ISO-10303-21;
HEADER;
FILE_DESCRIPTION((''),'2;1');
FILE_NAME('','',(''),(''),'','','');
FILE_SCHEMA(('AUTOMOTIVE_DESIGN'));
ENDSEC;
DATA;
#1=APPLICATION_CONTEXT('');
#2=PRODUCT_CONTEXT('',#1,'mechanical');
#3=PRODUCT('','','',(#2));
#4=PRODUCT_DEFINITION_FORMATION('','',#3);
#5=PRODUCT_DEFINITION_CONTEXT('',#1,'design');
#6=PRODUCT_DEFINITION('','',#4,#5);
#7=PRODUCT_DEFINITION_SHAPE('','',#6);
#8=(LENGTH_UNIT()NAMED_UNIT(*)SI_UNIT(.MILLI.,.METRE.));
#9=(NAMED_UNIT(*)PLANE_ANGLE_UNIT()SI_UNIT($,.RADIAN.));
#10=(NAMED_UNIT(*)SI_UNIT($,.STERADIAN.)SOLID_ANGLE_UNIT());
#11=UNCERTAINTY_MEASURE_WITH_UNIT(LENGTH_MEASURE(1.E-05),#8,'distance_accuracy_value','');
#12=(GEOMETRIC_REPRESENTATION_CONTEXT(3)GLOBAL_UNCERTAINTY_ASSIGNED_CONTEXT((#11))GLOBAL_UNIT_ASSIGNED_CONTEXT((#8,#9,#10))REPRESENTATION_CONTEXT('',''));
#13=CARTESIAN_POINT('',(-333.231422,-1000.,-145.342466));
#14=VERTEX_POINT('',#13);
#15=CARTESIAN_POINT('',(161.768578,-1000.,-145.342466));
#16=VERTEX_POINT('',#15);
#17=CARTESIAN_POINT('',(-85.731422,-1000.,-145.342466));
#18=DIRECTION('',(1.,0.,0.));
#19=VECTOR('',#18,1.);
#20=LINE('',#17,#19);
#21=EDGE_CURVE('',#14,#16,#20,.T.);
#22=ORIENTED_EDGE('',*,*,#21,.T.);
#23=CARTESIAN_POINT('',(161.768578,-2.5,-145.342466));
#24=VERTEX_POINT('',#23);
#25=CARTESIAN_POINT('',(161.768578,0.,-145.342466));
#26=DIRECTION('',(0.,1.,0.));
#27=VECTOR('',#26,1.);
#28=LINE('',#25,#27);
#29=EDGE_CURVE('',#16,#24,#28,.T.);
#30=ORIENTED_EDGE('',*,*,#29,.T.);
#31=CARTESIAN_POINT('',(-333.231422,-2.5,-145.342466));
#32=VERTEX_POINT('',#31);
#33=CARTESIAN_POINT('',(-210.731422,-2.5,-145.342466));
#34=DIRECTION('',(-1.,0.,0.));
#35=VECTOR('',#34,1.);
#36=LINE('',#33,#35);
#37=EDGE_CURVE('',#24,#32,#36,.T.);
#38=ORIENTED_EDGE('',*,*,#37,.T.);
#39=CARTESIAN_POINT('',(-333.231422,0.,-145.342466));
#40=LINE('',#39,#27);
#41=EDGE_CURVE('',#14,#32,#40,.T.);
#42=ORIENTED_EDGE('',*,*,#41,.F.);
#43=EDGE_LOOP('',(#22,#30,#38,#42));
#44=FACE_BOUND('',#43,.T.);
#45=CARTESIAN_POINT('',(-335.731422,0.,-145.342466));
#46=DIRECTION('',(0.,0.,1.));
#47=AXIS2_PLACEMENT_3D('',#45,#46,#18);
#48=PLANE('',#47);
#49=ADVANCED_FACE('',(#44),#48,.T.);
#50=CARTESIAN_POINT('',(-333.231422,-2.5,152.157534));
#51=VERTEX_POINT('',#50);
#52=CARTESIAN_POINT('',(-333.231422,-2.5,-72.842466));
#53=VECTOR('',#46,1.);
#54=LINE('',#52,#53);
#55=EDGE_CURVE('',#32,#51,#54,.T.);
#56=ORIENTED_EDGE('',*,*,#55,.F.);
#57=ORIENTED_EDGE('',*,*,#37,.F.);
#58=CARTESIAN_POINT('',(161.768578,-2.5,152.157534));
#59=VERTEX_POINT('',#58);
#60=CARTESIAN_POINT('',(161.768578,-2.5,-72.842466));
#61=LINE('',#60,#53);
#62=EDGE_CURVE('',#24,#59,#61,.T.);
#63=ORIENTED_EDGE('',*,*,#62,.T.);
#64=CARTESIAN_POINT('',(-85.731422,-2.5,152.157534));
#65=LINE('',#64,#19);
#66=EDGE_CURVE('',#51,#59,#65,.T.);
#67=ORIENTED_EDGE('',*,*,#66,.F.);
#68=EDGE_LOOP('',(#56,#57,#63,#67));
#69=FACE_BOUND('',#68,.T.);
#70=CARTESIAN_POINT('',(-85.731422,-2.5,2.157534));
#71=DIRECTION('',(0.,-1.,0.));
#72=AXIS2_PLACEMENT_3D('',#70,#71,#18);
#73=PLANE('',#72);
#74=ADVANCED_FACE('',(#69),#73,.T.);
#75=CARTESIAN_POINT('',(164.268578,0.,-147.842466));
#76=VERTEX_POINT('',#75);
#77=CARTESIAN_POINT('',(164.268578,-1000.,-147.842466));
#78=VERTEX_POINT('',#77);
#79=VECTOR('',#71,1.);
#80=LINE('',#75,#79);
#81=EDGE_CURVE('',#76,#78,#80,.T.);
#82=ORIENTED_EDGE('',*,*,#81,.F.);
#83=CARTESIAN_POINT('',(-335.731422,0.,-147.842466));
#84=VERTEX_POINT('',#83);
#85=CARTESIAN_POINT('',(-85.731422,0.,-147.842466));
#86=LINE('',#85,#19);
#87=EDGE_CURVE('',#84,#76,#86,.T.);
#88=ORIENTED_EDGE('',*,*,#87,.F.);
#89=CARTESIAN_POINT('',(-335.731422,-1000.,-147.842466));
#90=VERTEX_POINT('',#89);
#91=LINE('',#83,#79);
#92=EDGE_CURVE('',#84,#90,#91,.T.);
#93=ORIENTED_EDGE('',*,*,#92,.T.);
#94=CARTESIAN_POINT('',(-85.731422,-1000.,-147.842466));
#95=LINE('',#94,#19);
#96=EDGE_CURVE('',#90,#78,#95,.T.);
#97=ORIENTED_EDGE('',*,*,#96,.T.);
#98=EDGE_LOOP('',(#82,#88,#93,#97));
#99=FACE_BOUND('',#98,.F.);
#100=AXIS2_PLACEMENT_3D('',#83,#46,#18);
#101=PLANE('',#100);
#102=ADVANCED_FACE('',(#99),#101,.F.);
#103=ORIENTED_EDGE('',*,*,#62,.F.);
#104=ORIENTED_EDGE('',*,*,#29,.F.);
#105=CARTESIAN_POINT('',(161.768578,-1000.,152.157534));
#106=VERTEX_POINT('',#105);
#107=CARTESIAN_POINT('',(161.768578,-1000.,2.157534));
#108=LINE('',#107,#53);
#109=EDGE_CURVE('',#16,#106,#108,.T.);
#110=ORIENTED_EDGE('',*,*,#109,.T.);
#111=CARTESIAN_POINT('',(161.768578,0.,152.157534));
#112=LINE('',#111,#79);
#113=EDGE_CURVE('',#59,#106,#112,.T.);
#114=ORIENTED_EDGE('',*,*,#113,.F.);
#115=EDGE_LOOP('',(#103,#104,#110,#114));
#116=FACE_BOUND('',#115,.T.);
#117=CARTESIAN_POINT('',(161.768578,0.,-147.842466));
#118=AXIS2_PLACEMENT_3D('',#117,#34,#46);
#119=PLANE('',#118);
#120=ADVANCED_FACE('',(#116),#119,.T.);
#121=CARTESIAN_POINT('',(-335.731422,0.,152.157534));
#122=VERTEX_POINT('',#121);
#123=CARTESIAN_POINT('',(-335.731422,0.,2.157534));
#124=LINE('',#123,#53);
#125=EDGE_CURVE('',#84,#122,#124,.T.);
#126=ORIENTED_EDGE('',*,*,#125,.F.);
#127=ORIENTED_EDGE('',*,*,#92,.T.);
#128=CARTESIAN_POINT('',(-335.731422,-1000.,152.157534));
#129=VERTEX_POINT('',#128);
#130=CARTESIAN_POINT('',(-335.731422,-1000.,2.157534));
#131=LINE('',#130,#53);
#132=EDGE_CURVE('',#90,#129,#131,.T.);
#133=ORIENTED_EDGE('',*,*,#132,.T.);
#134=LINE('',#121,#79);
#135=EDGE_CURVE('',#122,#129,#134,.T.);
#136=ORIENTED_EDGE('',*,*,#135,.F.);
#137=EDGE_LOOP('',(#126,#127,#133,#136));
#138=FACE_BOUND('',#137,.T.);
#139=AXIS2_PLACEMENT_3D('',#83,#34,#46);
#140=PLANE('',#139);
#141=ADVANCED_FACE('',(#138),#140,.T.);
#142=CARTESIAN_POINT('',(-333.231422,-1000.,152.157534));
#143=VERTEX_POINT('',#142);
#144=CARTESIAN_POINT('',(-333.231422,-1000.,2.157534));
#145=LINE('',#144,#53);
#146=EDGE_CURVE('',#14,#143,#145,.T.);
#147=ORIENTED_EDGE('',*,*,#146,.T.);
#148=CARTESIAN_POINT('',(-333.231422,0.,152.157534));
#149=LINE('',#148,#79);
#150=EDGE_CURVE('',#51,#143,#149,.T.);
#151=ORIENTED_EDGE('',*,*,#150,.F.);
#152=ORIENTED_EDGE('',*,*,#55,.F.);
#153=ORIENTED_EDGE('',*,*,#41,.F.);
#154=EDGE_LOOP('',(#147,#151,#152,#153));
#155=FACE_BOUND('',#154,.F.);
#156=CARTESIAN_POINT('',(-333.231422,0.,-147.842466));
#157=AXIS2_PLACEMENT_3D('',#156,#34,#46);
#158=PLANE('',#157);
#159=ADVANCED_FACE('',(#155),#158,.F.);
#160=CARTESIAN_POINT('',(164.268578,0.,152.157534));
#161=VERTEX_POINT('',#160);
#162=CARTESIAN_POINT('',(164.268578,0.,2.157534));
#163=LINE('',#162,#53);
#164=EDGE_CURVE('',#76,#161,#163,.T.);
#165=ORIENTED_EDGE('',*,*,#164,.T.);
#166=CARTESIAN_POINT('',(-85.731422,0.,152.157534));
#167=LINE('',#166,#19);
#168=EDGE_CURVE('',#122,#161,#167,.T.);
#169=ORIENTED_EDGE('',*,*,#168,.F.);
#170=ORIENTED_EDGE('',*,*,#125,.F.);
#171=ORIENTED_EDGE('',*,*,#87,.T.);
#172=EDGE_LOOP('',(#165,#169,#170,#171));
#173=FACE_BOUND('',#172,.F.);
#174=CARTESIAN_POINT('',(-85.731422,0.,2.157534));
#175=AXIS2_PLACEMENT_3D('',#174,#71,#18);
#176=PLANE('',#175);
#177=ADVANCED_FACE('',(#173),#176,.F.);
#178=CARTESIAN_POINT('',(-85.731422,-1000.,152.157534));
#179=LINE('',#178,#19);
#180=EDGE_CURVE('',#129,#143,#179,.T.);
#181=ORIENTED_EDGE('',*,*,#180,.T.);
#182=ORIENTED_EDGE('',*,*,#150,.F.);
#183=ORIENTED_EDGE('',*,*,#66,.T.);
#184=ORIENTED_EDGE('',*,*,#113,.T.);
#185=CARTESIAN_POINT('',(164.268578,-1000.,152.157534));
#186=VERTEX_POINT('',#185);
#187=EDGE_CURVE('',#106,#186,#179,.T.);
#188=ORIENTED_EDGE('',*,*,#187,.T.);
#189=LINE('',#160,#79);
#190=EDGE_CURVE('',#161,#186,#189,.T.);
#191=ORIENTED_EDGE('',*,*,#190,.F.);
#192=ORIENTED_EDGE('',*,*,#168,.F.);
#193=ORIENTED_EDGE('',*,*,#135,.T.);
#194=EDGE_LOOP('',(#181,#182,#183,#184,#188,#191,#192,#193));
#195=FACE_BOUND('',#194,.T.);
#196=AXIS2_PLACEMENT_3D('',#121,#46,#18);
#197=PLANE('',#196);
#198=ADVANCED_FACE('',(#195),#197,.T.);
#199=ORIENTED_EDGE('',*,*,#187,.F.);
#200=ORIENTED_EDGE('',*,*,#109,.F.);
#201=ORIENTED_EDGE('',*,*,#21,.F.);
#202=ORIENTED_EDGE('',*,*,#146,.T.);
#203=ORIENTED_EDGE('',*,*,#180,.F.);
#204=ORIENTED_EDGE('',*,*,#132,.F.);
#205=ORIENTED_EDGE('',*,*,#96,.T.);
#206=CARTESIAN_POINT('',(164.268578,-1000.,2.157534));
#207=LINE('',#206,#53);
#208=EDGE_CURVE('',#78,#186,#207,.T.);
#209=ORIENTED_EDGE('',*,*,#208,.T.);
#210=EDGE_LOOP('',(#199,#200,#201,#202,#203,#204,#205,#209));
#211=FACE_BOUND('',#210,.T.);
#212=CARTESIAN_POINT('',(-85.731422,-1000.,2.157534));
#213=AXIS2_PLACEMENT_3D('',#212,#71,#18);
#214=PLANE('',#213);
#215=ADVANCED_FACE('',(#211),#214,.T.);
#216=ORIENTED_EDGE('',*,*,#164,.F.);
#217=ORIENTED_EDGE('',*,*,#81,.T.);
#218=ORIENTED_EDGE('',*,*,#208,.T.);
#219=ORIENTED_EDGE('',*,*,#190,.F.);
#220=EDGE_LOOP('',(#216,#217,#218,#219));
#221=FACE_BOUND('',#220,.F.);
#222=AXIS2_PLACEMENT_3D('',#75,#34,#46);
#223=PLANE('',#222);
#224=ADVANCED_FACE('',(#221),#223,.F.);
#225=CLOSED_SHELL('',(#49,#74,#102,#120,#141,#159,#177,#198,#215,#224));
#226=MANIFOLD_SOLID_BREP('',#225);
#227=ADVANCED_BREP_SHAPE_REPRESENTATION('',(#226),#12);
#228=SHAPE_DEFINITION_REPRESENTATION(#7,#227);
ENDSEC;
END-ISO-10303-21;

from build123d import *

# Parameters (mm, degrees)
F0_W     = 500
F0_H     = 300
F1_DEPTH = 1000
F2_T     = -2.5


with BuildPart() as f1:
    # F0 (on Front) → F1 (new body)
    with BuildSketch(Plane.XZ):
        with Locations((-85.731422, 2.157534)):
            Rectangle(F0_W, F0_H)
    extrude(amount=F1_DEPTH)

    # F2
    f2_openings = [f1.faces().sort_by_distance(p)[0] for p in [
        (-85.731422, -500, 152.157534),
        (-85.731422, -1000, 2.157534),
    ]]
    offset(amount=F2_T, openings=f2_openings)


solid = f1.part
